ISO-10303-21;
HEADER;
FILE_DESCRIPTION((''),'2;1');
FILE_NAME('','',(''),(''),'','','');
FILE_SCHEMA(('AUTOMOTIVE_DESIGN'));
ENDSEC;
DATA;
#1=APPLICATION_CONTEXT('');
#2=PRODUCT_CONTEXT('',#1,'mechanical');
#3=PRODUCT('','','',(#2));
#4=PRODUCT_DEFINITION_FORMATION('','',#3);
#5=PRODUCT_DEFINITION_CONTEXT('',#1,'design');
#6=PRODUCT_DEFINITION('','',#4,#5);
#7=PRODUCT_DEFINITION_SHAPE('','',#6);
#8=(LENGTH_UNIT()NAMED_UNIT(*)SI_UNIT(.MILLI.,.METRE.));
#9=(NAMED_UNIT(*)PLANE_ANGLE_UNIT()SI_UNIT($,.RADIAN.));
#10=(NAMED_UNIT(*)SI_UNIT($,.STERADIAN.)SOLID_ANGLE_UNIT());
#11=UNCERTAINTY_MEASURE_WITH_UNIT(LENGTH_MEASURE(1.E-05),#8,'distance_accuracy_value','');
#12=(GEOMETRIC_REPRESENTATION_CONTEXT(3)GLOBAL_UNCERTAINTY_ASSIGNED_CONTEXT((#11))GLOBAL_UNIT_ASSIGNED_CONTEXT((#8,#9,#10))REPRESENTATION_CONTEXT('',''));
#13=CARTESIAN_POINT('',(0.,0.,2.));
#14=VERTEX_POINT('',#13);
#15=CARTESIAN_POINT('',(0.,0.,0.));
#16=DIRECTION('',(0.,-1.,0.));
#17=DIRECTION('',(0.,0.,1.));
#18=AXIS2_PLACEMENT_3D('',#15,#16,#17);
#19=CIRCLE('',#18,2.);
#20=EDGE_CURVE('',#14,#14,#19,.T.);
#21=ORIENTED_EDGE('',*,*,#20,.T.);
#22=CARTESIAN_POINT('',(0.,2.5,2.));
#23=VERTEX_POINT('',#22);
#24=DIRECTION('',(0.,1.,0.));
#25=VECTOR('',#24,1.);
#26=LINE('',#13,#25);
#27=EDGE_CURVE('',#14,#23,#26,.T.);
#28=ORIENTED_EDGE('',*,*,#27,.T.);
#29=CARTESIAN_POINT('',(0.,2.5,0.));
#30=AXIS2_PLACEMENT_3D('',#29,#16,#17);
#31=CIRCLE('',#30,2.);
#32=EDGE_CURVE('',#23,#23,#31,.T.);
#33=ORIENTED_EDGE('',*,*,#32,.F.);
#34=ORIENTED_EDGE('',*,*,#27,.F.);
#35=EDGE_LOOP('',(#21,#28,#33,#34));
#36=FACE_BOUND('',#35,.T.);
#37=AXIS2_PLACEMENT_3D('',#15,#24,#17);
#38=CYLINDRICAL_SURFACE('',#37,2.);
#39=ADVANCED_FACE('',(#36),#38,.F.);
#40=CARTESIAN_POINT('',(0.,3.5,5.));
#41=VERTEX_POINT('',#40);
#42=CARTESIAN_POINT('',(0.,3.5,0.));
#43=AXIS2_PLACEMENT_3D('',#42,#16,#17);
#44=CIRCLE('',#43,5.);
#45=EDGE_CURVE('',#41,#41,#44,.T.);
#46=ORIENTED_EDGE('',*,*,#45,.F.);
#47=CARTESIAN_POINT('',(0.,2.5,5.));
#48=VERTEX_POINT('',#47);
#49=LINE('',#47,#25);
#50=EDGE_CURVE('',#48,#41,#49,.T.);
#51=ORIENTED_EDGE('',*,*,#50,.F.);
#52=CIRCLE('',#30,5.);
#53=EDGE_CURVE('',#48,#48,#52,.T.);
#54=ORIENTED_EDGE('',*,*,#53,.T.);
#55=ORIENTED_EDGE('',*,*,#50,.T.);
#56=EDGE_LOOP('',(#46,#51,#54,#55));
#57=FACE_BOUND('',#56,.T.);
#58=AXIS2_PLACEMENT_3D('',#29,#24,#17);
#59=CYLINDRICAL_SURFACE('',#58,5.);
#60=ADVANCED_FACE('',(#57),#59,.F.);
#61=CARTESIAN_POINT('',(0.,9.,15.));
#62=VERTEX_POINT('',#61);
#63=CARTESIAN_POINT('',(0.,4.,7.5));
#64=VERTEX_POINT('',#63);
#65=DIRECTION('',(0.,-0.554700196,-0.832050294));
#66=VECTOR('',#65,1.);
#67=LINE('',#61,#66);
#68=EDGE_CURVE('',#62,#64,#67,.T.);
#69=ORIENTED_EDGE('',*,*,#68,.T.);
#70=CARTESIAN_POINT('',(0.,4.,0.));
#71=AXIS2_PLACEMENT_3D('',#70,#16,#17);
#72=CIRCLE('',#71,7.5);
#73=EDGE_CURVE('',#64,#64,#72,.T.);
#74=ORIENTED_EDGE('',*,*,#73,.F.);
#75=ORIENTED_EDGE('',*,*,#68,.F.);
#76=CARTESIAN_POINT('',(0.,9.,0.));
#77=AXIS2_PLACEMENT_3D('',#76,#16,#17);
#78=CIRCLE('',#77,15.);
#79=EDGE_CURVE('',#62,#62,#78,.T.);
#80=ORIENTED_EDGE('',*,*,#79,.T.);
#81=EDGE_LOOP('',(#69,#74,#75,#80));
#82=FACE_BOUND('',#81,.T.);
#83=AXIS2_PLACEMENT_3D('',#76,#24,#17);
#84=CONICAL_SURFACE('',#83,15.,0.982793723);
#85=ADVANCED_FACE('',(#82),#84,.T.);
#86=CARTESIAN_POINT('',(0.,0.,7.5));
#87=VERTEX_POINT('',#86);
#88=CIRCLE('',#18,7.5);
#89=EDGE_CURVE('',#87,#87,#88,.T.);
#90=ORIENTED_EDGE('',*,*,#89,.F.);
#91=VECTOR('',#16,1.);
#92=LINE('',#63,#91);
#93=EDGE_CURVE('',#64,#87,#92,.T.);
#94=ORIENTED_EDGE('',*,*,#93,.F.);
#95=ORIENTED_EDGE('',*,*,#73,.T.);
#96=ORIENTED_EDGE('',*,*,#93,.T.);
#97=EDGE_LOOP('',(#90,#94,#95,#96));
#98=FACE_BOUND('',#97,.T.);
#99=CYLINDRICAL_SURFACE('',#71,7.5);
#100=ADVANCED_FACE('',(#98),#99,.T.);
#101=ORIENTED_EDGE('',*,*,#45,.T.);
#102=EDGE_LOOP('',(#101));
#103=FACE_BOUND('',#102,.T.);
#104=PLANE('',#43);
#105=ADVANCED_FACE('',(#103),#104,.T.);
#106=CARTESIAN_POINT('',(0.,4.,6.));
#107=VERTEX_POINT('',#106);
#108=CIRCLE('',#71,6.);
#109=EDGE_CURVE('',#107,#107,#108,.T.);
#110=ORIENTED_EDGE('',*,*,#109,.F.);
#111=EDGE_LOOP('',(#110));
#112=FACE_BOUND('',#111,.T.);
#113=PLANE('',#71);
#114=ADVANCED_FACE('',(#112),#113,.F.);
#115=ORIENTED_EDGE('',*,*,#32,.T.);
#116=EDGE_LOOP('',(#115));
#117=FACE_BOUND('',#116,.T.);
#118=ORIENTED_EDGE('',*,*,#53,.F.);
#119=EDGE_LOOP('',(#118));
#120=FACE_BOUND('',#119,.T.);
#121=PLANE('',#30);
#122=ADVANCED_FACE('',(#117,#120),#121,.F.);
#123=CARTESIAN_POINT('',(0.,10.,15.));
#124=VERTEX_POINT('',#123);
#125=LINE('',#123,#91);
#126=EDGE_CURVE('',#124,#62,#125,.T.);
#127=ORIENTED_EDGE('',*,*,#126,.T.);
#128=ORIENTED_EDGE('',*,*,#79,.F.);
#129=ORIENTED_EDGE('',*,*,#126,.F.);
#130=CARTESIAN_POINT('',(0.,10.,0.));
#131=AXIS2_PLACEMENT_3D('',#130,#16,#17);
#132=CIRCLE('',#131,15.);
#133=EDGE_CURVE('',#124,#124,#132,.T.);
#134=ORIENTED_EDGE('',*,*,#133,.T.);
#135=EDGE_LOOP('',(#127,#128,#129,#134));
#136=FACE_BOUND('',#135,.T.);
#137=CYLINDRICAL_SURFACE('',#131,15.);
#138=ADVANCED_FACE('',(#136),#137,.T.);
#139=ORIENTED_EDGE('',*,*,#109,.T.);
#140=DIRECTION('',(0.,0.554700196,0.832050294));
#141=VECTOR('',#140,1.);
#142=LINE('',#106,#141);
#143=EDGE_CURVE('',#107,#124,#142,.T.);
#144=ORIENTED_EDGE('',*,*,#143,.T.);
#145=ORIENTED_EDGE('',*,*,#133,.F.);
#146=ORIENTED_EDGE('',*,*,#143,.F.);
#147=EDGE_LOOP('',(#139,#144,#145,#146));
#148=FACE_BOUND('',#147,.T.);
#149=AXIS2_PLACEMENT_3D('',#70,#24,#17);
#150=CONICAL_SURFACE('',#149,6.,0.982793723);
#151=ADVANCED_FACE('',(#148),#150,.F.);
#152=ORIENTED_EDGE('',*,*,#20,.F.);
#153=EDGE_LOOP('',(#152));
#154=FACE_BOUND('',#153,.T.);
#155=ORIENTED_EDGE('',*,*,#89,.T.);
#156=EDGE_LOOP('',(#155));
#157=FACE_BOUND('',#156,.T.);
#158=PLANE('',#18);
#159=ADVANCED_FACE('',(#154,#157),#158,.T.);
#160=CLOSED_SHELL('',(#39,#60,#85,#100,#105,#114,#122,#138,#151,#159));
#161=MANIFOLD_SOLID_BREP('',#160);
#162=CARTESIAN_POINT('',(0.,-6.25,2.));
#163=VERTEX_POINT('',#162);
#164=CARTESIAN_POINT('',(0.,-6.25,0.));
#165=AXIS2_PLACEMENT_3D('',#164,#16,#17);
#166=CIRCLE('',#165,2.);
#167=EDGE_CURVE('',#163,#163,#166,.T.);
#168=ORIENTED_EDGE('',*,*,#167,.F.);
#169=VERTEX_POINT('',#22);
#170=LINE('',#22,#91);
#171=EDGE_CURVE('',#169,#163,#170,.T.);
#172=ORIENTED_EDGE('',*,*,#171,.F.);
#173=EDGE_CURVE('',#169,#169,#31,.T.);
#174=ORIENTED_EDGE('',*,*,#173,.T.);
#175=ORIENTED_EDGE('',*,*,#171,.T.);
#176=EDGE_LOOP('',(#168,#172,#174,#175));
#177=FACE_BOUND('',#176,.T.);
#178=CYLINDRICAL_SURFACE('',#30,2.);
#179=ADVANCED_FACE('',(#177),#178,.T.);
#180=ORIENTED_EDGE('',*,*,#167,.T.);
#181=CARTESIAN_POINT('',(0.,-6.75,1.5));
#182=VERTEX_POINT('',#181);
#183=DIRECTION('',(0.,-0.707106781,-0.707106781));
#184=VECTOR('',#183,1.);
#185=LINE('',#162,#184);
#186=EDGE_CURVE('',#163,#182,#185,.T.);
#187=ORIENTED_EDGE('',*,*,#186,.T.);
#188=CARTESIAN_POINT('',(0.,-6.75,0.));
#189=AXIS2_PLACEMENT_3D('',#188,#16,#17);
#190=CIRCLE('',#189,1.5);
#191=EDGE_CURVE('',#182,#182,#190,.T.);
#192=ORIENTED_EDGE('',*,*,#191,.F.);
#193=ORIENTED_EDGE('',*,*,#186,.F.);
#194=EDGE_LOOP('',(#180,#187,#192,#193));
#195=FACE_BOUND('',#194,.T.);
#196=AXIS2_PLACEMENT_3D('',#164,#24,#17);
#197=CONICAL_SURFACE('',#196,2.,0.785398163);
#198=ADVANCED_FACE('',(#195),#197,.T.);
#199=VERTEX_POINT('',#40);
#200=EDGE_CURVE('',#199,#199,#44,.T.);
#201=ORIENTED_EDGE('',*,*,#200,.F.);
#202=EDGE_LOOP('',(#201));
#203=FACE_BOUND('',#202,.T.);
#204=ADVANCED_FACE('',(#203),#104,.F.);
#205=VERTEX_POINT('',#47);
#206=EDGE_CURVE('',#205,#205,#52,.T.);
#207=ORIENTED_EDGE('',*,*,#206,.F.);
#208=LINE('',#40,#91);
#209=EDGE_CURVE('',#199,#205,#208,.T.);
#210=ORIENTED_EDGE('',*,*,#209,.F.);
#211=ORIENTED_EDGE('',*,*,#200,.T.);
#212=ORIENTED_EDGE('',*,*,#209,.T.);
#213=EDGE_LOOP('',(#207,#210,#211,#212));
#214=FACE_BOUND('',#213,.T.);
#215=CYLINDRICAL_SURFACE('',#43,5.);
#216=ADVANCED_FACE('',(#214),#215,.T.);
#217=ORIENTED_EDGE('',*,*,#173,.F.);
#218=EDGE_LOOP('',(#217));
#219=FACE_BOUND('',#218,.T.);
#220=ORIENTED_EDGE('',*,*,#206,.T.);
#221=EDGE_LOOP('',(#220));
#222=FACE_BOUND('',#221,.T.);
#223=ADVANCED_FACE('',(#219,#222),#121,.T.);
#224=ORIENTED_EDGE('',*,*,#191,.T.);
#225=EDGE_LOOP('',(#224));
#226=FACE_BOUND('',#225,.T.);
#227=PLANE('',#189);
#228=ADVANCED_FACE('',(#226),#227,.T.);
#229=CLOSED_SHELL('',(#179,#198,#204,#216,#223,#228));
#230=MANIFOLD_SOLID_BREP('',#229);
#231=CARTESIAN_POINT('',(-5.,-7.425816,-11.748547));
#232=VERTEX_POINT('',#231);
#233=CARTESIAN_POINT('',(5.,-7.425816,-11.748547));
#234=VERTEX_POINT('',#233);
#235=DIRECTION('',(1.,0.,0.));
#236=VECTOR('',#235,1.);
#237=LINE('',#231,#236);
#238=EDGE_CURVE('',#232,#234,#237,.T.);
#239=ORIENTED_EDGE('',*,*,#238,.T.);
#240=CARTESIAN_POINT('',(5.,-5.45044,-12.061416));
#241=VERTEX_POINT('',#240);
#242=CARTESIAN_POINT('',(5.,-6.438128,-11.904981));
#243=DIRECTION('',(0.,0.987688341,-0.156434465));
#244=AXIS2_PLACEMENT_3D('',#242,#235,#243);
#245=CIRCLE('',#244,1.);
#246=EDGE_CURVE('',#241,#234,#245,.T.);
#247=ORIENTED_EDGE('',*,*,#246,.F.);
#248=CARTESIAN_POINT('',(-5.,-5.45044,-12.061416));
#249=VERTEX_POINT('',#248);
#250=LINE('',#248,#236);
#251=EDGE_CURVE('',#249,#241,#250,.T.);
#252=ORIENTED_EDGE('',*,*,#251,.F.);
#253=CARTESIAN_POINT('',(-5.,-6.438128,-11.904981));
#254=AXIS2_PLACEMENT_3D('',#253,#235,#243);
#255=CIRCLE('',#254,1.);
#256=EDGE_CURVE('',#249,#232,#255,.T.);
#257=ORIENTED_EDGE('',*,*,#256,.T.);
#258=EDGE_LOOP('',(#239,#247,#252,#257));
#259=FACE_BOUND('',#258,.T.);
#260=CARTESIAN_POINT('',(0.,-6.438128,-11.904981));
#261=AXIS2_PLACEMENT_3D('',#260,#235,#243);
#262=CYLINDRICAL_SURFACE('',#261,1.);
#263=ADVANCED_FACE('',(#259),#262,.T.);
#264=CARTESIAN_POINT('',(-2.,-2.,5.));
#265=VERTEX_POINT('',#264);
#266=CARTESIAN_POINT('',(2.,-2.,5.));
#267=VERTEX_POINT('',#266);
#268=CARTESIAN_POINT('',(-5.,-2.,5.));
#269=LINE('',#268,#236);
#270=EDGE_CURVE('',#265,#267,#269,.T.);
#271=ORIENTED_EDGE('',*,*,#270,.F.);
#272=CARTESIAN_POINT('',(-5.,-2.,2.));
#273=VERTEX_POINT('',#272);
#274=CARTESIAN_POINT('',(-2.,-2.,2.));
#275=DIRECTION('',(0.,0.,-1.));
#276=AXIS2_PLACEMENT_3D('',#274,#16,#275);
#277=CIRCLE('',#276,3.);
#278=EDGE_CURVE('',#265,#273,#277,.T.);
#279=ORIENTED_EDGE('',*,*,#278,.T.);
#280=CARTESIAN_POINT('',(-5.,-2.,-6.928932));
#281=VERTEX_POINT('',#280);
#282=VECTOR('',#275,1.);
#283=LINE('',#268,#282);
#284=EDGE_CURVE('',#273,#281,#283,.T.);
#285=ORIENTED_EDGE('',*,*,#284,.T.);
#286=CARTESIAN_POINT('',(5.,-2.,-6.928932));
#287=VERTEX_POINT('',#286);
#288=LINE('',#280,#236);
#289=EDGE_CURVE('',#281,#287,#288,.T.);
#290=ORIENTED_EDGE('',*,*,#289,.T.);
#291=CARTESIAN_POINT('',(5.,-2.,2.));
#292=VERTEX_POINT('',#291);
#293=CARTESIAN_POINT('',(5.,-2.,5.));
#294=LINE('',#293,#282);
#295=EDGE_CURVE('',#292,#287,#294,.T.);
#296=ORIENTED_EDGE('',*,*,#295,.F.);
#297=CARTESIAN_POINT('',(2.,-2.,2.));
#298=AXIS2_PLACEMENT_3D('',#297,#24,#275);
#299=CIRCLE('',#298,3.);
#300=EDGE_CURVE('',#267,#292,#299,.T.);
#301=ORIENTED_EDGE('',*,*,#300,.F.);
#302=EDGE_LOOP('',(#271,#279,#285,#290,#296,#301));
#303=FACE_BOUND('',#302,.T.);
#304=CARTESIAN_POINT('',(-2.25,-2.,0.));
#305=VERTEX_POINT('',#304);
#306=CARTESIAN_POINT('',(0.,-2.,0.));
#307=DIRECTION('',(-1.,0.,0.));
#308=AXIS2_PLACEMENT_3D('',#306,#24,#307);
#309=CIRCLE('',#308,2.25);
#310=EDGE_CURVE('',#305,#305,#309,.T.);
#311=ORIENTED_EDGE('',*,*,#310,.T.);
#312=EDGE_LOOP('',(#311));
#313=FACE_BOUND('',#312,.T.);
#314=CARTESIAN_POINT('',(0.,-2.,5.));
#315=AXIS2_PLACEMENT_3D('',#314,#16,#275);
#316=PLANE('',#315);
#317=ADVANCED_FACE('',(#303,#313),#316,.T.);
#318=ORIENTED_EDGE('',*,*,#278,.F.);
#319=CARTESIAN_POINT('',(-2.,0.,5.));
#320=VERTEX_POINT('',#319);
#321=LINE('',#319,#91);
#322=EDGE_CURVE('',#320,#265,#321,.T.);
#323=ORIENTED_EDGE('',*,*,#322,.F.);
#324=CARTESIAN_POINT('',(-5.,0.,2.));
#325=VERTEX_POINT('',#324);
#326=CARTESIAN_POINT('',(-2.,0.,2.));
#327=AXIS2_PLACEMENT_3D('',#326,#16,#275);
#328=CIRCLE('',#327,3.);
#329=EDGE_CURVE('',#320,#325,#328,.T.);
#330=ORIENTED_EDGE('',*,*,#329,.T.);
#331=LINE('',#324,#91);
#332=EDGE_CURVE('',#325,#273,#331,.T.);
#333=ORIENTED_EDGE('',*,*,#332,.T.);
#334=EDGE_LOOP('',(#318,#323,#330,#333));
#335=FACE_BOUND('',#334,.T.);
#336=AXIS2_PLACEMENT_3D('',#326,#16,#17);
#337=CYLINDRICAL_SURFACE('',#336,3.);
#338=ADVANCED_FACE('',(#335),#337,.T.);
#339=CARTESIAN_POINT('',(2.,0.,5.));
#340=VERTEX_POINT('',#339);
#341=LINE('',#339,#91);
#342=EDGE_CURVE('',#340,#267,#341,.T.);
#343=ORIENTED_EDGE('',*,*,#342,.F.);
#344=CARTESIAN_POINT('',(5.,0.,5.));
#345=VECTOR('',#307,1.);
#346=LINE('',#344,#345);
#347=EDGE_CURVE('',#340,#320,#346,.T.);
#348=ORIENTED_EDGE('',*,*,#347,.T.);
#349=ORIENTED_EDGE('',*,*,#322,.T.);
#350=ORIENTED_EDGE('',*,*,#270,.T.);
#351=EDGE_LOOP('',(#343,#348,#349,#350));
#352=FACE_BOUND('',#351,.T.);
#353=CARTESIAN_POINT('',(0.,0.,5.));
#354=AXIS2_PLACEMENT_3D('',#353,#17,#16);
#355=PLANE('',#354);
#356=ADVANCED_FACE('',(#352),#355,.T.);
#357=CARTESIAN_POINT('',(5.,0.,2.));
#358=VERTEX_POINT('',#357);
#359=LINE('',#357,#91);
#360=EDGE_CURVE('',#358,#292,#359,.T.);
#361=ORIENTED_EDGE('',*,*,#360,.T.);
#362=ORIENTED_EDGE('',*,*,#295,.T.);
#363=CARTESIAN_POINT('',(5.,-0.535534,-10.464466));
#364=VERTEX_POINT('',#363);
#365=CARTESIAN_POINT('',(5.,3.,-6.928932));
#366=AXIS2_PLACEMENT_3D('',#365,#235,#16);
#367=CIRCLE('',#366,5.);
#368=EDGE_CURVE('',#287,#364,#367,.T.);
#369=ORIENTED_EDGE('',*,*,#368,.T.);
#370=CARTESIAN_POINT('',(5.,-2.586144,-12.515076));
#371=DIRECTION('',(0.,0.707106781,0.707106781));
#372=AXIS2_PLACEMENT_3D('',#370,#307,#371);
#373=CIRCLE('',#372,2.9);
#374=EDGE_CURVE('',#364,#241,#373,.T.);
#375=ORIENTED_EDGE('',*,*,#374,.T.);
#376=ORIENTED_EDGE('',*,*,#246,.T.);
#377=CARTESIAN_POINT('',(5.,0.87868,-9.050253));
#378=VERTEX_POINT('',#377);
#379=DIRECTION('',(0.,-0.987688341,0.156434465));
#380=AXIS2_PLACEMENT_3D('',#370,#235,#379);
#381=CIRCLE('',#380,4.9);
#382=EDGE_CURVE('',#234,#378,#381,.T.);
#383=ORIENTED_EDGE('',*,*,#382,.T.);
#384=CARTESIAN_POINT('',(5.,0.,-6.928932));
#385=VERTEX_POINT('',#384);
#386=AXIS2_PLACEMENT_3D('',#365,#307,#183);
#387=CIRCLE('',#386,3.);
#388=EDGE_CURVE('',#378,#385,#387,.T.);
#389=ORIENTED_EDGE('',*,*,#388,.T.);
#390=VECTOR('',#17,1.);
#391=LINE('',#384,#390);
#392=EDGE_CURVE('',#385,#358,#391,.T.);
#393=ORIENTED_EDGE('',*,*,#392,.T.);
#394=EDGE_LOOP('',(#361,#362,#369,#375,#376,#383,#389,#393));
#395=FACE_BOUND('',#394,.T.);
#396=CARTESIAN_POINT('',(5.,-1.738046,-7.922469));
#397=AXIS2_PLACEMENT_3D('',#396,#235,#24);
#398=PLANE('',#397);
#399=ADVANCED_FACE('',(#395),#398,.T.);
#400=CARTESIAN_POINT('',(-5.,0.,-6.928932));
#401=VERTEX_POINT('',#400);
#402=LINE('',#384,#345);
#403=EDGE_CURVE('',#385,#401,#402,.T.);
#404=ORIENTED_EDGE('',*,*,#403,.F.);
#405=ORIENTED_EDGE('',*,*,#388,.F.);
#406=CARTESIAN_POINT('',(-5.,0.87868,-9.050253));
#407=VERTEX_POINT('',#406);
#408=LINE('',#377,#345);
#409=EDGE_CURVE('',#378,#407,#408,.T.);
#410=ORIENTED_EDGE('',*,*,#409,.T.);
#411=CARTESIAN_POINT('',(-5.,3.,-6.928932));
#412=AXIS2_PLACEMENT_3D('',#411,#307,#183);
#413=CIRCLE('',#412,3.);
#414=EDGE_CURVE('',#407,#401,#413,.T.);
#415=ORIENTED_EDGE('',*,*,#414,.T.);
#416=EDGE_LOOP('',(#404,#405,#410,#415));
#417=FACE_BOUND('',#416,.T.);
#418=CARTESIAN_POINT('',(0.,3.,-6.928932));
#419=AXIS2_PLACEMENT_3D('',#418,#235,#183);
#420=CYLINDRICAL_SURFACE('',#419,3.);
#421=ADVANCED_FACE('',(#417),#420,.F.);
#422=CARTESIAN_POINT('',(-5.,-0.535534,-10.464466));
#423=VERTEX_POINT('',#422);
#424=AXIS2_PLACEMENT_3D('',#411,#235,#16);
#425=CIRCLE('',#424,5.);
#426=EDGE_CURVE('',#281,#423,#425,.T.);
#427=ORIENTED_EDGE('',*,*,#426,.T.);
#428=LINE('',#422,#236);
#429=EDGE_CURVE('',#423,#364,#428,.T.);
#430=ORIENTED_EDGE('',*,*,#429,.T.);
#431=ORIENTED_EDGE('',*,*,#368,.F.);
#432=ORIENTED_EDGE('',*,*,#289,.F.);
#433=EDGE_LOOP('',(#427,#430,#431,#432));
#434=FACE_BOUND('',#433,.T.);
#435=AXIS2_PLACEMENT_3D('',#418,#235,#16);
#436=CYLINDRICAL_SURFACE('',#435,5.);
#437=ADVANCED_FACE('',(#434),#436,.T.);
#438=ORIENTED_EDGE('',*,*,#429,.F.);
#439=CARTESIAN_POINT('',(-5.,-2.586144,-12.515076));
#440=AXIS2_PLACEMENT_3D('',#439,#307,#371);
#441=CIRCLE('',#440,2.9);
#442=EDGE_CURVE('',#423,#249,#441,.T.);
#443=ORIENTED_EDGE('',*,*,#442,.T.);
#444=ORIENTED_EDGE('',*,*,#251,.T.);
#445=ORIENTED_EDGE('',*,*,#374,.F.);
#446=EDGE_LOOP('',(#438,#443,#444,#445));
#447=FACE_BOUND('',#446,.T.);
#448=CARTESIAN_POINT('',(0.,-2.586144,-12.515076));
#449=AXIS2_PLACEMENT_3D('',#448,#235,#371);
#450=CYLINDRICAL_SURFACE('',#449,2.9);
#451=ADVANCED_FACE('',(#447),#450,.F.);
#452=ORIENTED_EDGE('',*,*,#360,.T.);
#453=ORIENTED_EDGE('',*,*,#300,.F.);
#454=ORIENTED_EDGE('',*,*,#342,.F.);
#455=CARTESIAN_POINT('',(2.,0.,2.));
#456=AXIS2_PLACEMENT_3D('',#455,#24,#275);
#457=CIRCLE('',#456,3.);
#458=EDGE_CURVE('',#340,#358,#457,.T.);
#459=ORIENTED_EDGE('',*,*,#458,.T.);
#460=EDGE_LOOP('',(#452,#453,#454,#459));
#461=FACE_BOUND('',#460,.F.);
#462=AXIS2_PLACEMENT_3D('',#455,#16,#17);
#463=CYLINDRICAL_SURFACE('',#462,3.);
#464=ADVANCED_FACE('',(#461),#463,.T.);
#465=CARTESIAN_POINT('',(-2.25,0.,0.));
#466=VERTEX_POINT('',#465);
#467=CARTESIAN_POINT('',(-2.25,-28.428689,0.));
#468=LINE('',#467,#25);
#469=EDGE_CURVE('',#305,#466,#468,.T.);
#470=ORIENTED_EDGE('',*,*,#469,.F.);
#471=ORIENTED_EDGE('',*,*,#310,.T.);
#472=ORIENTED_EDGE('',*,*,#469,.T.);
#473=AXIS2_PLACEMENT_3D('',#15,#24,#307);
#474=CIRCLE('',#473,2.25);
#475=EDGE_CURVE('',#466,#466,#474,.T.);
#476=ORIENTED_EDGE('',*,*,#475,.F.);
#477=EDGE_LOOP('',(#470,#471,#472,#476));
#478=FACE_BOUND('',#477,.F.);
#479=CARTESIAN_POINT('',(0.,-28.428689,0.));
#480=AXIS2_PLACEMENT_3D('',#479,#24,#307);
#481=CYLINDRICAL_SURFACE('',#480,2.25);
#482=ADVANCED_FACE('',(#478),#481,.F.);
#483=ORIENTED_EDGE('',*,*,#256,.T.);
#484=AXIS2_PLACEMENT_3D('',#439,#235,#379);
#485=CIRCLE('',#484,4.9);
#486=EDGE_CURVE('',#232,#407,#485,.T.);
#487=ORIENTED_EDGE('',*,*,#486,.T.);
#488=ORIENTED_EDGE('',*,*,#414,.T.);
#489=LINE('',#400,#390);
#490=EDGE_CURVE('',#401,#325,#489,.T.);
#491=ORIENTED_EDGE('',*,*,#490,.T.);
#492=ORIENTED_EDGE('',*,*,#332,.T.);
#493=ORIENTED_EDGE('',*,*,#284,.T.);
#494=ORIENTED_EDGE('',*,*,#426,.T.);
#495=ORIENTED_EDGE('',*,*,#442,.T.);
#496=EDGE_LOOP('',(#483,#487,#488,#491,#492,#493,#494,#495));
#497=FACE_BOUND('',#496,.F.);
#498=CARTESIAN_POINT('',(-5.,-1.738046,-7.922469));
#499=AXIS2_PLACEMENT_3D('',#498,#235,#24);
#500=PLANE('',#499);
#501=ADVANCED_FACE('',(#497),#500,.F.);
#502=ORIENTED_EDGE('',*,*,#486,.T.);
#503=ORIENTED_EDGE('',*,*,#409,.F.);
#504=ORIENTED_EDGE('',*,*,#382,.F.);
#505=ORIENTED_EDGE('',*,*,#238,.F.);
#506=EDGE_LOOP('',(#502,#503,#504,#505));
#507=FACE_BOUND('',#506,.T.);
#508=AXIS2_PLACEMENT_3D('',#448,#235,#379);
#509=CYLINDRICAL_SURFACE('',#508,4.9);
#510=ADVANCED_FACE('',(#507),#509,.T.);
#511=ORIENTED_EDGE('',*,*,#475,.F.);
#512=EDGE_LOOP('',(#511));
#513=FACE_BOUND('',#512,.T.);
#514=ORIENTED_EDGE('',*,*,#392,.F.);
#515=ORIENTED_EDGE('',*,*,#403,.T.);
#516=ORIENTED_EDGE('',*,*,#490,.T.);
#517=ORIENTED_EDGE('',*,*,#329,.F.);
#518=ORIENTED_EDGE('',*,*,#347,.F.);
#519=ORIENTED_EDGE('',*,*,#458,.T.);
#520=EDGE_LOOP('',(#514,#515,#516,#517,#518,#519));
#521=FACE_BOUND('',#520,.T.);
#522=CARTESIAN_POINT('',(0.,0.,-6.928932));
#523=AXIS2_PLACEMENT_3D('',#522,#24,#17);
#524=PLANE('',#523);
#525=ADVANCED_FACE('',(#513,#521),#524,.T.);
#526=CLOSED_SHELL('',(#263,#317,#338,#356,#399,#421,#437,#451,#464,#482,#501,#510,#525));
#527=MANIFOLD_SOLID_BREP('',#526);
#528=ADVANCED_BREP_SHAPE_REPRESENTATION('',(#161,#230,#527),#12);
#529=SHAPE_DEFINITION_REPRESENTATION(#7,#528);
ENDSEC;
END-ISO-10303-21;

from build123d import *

# Parameters (mm, degrees)
F3_SIZE  = 0.5
F5_DEPTH = 5
F6_R     = 3
F8_D     = 4.5


with BuildPart() as f1:
    # F0 (on Right) → F1 (revolve)
    with BuildSketch(Plane.YZ):
        Polygon((3.5, 5), (3.5, 0), (4, 0), (4, 6), (10, 15), (9, 15), (4, 7.5), (0, 7.5), (0, 2), (2.5, 2), (2.5, 5), align=None)
    revolve(axis=Axis((0, -3.375, 0), (0, -1, 0)))


with BuildPart() as f2:
    # F0 (on Right) → F2 (revolve)
    with BuildSketch(Plane.YZ):
        Polygon((-6.75, 0), (0, 0), (3.5, 0), (3.5, 5), (2.5, 5), (2.5, 2), (0, 2), (-6.75, 2), align=None)
    revolve(axis=Axis((0, -3.375, 0), (0, -1, 0)))

    # F3
    f3_edges = [f2.edges().sort_by_distance(p)[0] for p in [
        (0, -6.75, -2),
    ]]
    chamfer(f3_edges, length=F3_SIZE)


with BuildPart() as f5:
    # F4 (on Right) → F5 (new body, symmetric)
    with BuildSketch(Plane.YZ):
        with BuildLine():
            Line((0, 5), (-2, 5))
            Line((-2, 5), (-2, -6.9289321881))
            ThreePointArc((-2, -6.9289321881), (-1.6193976626, -8.84234935), (-0.5355339059, -10.4644660941))
            ThreePointArc((-0.5355339059, -10.4644660941), (-1.6899942877, -15.2731396568), (-5.4504397591, -12.0614158109))
            ThreePointArc((-5.4504397591, -12.0614158109), (-6.2816936347, -10.9172930053), (-7.4258164403, -11.7485468808))
            ThreePointArc((-7.4258164403, -11.7485468808), (-1.0719602989, -17.1752526894), (0.8786796564, -9.0502525317))
            ThreePointArc((0.8786796564, -9.0502525317), (0.2283614025, -8.0769824852), (0, -6.9289321881))
            Line((0, -6.9289321881), (0, 5))
        make_face()
    extrude(amount=F5_DEPTH, both=True)

    # F6
    f6_edges = [f5.edges().sort_by_distance(p)[0] for p in [
        (-5, -1, 5),
        (5, -1, 5),
    ]]
    fillet(f6_edges, radius=F6_R)

    # F8 (through all)
    with Locations(Plane.XZ.offset(2)):
        with Locations((0, 0)):
            Hole(F8_D / 2)


solid = Compound([f1.part, f2.part, f5.part])
